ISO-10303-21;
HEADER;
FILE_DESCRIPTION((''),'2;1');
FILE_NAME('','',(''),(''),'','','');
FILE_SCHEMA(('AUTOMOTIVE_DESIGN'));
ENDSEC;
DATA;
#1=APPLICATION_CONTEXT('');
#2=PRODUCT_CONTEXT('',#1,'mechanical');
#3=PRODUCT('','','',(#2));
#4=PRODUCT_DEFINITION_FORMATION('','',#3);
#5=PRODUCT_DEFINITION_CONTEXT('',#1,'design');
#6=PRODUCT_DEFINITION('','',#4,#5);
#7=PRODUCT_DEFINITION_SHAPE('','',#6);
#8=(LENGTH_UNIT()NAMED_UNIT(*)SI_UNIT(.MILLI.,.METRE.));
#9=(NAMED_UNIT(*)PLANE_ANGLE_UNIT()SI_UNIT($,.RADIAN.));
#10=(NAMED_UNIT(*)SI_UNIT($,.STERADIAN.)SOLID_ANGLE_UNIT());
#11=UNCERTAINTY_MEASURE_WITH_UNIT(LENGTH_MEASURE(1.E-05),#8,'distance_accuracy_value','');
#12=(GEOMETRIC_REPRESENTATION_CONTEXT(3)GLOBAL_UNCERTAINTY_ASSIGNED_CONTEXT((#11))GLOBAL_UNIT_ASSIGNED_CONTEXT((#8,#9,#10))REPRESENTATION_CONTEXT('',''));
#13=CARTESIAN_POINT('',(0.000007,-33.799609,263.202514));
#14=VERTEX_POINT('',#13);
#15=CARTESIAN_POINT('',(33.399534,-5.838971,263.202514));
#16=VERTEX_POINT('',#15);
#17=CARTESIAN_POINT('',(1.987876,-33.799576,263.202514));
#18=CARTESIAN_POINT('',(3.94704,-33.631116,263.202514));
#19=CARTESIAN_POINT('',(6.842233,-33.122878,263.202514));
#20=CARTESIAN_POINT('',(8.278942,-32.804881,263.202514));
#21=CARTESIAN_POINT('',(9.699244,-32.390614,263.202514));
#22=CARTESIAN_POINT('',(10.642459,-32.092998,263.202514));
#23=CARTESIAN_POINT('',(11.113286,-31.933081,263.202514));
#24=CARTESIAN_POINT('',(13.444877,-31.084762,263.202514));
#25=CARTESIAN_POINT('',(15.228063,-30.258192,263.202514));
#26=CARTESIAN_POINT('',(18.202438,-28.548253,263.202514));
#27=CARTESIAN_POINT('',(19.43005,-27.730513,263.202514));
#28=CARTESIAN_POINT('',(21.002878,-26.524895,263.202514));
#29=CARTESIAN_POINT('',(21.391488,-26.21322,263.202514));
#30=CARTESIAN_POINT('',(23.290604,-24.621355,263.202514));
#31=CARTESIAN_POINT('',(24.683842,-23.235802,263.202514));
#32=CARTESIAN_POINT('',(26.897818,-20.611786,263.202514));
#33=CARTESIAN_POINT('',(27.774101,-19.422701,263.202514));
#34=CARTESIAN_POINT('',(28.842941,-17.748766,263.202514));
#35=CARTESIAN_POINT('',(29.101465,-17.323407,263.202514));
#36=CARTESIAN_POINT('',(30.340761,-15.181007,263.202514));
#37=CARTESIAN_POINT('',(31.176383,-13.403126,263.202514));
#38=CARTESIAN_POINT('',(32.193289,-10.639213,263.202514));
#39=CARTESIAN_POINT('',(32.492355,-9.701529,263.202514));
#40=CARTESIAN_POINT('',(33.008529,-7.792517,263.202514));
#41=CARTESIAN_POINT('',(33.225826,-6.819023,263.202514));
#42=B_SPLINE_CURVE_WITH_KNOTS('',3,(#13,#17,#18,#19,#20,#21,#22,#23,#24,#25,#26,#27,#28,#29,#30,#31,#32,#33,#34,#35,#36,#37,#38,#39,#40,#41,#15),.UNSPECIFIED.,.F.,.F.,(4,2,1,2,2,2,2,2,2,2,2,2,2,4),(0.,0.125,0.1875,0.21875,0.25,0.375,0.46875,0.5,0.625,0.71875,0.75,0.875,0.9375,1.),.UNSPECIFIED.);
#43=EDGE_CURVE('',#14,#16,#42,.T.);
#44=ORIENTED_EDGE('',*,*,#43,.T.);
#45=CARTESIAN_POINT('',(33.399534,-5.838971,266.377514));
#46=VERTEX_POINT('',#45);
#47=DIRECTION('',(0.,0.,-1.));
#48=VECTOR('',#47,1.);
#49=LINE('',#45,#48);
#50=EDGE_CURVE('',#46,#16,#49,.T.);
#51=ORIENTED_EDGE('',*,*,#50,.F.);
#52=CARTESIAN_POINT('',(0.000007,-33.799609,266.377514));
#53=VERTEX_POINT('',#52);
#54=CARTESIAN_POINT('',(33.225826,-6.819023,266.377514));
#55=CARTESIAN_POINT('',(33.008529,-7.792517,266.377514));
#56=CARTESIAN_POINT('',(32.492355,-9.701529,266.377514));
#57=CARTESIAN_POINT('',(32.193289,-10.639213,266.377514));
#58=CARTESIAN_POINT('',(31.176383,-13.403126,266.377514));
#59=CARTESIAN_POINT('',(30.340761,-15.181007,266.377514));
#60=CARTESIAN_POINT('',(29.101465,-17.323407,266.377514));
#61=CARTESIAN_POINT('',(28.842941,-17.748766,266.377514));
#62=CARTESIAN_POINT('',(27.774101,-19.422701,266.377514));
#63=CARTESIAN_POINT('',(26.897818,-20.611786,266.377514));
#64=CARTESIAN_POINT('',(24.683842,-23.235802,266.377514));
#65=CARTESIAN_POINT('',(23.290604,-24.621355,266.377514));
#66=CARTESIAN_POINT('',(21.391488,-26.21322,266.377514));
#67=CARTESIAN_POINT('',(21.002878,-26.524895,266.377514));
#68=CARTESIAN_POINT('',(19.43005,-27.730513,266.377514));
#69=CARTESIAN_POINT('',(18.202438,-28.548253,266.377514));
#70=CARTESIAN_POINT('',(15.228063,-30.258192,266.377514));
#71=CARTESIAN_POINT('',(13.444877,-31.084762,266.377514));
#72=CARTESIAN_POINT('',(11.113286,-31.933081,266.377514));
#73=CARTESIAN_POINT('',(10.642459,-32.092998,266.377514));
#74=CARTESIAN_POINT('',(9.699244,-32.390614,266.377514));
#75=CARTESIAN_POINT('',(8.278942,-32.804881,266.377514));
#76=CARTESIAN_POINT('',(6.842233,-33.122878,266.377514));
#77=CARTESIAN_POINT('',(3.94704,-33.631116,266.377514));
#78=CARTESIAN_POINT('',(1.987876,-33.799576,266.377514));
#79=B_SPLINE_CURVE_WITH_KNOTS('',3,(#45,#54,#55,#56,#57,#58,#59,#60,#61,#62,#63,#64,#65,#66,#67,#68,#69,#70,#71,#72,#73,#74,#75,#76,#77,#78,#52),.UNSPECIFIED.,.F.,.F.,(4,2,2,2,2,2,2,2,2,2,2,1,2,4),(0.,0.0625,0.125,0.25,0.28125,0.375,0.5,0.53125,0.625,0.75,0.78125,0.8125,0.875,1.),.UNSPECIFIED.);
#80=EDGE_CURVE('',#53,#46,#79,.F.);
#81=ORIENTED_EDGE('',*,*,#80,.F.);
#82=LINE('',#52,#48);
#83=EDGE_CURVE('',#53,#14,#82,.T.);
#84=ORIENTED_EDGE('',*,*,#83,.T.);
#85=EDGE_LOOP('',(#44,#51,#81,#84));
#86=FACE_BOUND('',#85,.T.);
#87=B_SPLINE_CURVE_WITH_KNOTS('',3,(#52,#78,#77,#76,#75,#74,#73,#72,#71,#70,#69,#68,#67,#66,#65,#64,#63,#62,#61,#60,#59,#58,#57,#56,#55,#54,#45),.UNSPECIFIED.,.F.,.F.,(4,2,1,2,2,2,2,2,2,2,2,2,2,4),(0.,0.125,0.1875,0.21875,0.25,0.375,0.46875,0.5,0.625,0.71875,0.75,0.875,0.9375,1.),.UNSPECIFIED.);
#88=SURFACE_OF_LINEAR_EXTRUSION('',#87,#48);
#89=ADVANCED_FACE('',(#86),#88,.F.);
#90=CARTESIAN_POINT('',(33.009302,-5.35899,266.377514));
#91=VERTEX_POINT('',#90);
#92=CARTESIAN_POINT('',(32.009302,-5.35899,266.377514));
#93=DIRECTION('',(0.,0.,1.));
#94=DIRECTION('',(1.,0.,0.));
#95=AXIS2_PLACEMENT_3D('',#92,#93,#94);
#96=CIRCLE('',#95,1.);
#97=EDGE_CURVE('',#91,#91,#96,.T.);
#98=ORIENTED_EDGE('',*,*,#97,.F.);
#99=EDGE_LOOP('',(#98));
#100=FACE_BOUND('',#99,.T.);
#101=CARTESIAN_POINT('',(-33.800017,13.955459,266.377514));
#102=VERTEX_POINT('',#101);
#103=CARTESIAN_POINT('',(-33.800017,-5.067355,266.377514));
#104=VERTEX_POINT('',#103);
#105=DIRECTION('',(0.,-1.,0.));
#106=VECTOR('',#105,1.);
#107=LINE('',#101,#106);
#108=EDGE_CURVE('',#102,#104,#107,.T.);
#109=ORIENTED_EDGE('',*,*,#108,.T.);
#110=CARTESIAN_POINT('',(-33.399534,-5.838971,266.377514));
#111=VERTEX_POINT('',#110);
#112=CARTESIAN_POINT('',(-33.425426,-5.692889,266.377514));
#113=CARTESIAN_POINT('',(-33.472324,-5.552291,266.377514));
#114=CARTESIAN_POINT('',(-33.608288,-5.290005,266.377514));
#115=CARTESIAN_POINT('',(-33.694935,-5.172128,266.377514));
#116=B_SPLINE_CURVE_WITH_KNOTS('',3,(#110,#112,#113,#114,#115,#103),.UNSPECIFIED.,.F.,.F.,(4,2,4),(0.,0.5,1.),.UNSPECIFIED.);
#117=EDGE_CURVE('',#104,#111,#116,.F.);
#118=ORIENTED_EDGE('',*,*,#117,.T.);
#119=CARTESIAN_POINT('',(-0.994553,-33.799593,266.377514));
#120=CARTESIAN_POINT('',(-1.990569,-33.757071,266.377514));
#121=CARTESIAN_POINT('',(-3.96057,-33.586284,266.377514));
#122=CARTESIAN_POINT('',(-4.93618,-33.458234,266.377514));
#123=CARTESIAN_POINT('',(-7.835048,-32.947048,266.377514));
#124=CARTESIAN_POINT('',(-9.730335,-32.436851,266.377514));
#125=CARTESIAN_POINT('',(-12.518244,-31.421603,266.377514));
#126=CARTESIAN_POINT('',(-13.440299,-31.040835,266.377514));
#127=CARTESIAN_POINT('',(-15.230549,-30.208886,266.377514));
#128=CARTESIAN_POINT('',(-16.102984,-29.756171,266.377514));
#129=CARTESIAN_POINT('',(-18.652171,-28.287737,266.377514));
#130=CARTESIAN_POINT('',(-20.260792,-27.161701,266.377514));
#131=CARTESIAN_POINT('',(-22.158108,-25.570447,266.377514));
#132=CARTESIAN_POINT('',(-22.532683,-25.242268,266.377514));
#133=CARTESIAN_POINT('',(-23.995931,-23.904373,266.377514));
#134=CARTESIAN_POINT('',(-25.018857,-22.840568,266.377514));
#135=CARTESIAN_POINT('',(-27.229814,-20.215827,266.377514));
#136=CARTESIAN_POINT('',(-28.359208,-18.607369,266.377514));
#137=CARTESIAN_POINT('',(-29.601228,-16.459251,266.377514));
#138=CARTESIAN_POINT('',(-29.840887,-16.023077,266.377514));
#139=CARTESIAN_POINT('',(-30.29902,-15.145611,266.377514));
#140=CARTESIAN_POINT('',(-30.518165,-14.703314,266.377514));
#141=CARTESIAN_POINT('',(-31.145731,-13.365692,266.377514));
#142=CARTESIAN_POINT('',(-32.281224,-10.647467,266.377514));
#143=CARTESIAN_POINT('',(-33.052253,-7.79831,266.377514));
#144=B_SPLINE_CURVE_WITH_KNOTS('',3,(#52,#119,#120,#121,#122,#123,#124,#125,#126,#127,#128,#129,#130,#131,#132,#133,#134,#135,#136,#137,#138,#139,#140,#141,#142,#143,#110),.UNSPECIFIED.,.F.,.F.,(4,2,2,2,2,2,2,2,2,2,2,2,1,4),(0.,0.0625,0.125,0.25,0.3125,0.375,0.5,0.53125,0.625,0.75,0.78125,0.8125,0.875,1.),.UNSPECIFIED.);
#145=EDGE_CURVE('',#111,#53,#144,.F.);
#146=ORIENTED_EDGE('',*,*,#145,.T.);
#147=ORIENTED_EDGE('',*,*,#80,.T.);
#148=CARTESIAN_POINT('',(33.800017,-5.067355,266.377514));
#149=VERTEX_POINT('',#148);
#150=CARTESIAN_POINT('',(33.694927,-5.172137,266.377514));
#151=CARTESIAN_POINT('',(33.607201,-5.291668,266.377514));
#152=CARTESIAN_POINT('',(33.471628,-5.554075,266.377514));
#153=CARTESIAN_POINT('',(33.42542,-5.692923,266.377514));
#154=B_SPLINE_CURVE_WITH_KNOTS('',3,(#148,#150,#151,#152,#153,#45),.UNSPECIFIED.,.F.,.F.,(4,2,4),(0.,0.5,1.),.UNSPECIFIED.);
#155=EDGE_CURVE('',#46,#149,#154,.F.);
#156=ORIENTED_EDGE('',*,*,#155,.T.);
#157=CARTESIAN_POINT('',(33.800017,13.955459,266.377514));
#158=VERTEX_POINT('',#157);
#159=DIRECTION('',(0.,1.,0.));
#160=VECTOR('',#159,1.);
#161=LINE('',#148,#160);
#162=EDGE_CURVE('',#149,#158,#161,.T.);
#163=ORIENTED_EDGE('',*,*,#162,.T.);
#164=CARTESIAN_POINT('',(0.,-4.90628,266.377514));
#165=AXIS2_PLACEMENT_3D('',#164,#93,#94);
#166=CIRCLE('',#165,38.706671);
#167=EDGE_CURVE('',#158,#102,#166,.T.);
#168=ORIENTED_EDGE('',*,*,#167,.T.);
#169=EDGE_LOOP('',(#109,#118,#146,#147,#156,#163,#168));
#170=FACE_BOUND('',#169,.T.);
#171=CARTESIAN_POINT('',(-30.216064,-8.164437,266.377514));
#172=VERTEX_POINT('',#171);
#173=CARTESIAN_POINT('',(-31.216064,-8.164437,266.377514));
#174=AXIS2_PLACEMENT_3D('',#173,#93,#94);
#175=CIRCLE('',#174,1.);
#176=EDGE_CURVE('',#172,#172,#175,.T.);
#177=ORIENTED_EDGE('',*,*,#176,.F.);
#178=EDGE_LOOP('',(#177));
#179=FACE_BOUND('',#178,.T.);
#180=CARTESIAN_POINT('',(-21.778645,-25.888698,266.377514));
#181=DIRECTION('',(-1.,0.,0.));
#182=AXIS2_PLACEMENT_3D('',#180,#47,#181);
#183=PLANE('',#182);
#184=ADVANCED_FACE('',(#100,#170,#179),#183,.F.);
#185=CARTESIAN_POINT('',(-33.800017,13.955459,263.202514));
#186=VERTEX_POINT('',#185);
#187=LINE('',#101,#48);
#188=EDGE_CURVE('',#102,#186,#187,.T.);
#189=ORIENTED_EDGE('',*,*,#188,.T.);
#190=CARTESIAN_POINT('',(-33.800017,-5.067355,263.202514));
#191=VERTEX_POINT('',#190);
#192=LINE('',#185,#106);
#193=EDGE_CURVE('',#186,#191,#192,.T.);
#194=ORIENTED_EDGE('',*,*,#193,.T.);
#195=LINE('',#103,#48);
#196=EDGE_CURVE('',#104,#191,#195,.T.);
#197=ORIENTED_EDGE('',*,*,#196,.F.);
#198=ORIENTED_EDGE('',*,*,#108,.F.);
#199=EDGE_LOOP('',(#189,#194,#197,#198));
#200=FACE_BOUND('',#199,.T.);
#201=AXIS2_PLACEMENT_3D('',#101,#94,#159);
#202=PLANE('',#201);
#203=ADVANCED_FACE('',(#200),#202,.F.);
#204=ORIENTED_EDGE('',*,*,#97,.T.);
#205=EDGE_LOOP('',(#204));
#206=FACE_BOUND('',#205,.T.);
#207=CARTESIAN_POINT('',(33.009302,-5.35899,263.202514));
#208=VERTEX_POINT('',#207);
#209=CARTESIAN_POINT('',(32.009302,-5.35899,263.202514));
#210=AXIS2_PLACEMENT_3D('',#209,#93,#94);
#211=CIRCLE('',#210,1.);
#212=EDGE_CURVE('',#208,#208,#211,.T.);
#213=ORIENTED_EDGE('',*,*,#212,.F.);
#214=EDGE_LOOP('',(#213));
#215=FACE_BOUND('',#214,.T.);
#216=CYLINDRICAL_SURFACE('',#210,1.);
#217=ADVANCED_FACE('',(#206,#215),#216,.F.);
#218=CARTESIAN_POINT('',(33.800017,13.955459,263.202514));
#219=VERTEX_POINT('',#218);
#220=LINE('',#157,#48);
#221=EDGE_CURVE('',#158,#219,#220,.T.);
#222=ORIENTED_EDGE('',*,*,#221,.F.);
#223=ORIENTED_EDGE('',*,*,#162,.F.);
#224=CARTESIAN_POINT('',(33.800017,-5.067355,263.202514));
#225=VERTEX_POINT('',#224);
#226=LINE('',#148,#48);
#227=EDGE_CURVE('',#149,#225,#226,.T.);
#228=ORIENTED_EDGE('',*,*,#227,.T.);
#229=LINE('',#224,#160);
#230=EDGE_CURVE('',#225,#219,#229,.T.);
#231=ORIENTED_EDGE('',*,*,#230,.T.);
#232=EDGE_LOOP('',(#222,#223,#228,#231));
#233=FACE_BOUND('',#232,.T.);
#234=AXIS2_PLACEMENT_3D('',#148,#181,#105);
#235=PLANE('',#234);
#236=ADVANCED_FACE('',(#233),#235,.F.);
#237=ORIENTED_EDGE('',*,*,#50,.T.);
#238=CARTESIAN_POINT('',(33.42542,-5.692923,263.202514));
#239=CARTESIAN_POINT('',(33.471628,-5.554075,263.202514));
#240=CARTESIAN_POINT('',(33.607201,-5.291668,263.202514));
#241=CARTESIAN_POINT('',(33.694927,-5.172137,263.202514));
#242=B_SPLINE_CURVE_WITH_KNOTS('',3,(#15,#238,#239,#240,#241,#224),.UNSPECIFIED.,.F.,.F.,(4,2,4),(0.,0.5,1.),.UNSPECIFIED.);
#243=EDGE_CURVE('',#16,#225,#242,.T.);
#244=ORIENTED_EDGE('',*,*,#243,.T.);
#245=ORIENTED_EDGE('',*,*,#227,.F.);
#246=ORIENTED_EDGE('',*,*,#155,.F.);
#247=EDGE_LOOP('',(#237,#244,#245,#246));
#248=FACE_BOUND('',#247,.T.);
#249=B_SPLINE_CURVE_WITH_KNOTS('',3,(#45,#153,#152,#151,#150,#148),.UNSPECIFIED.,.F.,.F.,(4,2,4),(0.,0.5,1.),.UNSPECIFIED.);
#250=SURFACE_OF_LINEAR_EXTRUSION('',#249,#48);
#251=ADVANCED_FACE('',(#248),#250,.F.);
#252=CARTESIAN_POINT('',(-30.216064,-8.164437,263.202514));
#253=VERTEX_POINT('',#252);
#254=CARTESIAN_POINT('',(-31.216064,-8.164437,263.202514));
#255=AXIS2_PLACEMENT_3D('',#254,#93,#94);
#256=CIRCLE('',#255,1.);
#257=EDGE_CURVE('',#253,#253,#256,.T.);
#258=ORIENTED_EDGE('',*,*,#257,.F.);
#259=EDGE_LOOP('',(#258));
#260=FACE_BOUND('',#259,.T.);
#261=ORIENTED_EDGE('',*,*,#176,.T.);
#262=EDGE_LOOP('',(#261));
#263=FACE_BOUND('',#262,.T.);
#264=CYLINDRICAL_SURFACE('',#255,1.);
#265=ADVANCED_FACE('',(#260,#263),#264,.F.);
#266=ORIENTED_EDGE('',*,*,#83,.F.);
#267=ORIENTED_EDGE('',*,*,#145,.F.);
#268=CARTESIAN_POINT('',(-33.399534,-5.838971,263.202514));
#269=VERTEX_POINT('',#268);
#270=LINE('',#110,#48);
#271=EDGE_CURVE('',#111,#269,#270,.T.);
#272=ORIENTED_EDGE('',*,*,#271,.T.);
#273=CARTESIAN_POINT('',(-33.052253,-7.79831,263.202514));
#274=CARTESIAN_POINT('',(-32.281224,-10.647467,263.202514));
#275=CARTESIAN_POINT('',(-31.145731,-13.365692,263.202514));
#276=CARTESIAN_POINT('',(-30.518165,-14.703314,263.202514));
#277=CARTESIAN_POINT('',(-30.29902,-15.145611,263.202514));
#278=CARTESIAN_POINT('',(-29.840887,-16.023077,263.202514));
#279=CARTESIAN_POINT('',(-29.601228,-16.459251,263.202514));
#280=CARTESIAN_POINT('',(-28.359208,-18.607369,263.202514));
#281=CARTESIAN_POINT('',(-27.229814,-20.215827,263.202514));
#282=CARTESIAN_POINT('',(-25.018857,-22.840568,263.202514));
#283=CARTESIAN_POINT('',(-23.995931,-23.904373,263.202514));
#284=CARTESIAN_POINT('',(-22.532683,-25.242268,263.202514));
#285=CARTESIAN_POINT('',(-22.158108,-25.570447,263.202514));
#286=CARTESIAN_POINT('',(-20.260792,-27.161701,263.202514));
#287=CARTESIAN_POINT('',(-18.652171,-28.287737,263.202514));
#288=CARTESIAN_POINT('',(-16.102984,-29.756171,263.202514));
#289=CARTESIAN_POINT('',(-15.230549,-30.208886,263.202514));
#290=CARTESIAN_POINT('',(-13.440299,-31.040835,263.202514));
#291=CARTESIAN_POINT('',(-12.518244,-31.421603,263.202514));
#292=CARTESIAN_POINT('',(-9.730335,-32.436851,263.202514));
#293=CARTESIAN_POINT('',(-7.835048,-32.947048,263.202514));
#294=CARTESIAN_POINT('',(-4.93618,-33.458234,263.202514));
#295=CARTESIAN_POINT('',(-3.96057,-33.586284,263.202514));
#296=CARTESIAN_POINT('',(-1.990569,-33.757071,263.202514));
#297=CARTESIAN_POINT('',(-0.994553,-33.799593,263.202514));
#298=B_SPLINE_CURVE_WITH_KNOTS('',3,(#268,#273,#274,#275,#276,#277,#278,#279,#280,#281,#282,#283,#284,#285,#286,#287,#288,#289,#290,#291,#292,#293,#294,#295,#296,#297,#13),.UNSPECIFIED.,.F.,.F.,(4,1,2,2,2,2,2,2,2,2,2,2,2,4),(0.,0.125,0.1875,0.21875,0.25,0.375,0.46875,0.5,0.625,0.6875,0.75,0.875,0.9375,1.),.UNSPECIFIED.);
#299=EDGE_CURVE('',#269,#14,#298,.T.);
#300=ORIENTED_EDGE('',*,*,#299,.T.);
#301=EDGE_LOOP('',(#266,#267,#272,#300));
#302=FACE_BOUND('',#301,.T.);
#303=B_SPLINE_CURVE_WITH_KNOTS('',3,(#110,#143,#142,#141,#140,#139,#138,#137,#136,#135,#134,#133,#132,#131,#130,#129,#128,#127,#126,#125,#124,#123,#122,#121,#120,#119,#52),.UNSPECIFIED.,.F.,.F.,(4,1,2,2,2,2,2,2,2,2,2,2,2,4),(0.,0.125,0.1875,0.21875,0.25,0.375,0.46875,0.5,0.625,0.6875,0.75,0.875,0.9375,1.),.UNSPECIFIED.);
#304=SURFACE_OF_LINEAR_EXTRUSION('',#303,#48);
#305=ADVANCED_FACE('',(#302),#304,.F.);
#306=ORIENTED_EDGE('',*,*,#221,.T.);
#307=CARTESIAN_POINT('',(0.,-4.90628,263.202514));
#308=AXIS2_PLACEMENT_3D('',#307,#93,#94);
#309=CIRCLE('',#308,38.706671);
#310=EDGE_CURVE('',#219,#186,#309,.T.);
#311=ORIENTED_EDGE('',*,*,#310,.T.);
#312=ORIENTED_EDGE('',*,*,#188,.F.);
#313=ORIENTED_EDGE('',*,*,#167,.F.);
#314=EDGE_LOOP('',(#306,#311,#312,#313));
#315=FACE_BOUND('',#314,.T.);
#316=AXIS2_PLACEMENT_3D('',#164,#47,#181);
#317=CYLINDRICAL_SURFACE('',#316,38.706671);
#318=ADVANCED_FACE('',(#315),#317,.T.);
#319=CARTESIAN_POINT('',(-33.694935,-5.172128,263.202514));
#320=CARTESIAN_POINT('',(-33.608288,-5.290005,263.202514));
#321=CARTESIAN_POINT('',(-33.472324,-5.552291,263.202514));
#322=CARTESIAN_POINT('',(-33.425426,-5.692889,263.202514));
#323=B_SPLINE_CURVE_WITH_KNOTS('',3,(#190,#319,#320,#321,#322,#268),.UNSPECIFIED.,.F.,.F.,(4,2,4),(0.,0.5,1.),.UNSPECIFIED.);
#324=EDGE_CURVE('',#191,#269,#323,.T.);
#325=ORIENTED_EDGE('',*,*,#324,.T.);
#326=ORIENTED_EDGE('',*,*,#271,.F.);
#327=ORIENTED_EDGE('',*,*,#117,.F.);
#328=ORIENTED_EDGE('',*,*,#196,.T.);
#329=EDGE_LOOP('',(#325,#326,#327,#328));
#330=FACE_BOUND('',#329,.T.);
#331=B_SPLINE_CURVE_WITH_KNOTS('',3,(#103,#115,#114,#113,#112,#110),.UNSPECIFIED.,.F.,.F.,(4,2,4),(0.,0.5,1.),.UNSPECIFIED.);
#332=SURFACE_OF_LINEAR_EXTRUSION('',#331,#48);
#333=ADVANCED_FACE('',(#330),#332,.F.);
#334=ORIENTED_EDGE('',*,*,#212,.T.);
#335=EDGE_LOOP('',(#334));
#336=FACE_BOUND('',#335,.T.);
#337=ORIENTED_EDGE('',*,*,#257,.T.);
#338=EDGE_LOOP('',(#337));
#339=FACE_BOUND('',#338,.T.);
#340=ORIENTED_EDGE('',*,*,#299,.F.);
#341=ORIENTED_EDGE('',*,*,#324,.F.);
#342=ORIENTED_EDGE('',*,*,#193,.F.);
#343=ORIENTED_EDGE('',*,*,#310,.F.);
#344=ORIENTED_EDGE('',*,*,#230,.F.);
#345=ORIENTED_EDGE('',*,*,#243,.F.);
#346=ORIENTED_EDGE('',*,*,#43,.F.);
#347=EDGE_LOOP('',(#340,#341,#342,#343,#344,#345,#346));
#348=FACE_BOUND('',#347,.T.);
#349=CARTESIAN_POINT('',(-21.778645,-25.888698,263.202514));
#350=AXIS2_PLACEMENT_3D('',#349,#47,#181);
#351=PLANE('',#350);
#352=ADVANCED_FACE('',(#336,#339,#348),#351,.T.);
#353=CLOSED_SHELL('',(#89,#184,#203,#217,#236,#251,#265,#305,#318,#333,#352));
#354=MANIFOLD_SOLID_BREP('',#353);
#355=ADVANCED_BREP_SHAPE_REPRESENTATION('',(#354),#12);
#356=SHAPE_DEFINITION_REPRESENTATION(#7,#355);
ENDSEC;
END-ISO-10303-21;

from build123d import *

# Parameters (mm, degrees)
BOSS_EXTRUDE1_DEPTH = 1.5875
SKETCH3_R           = 1
CUT_EXTRUDE2_DEPTH  = 3.175


with BuildPart() as part:
    # Sketch1 → Boss-Extrude1 (new, symmetric)
    with BuildSketch(Plane.XY.offset(264.790013628)):
        with BuildLine():
            Line((33.800017398, -5.067355161), (33.800017398, 13.955458653))
            ThreePointArc((33.800017398, 13.955458653), (0, 33.800390955), (-33.800017398, 13.955458653))
            Line((-33.800017398, 13.955458653), (-33.800017398, -5.067355161))
            add(Edge.make_bspline(
                [(-33.800017398, -5.067355161), (-33.694935477, -5.172128399), (-33.608288469, -5.290004795), (-33.472323961, -5.552290639), (-33.425425948, -5.692889236), (-33.399533932, -5.838970624)],
                knots=[0, 0, 0, 0, 0.5, 0.5, 1, 1, 1, 1], degree=3))
            add(Edge.make_bspline(
                [(-33.399533932, -5.838970624), (-33.052253285, -7.798309693), (-32.28122422, -10.647467269), (-31.145731134, -13.365691593), (-30.518165219, -14.703313718), (-30.29902031, -15.145610982), (-29.840887044, -16.023076775), (-29.601228036, -16.459250859), (-28.359208449, -18.607369492), (-27.22981433, -20.215826589), (-25.018856718, -22.840568094), (-23.995930567, -23.90437348), (-22.532682873, -25.242268373), (-22.158108065, -25.570446836), (-20.260791979, -27.161701153), (-18.652171115, -28.2877371), (-16.102983861, -29.756171424), (-15.230549353, -30.208885919), (-13.44029889, -31.040835285), (-12.518244043, -31.421602723), (-9.730335127, -32.436850643), (-7.835048114, -32.947048229), (-4.936180491, -33.458234156), (-3.960569712, -33.586283528), (-1.990568761, -33.757071458), (-0.994552943, -33.799592721), (7.014e-06, -33.799609106)],
                knots=[0, 0, 0, 0, 0.125, 0.1875, 0.1875, 0.21875, 0.21875, 0.25, 0.25, 0.375, 0.375, 0.46875, 0.46875, 0.5, 0.5, 0.625, 0.625, 0.6875, 0.6875, 0.75, 0.75, 0.875, 0.875, 0.9375, 0.9375, 1, 1, 1, 1], degree=3))
            add(Edge.make_bspline(
                [(7.014e-06, -33.799609106), (1.987875992, -33.799575566), (3.94703991, -33.631115611), (6.842232548, -33.122877847), (8.278942061, -32.804880827), (9.699244221, -32.390613968), (10.642458673, -32.092998308), (11.113286404, -31.933080905), (13.444877358, -31.084762204), (15.228063078, -30.258192227), (18.202438097, -28.548252781), (19.430049544, -27.730513432), (21.002878368, -26.524895287), (21.391487804, -26.213219806), (23.290603811, -24.621354585), (24.683841541, -23.235802325), (26.897817983, -20.611786452), (27.77410108, -19.422700527), (28.842940769, -17.748765821), (29.101464741, -17.323406575), (30.340761198, -15.181007143), (31.176382916, -13.403126413), (32.193288505, -10.639212594), (32.492355328, -9.701528607), (33.008528869, -7.792516567), (33.225825771, -6.819022893), (33.399533932, -5.838970624)],
                knots=[0, 0, 0, 0, 0.125, 0.125, 0.1875, 0.21875, 0.21875, 0.25, 0.25, 0.375, 0.375, 0.46875, 0.46875, 0.5, 0.5, 0.625, 0.625, 0.71875, 0.71875, 0.75, 0.75, 0.875, 0.875, 0.9375, 0.9375, 1, 1, 1, 1], degree=3))
            add(Edge.make_bspline(
                [(33.399533932, -5.838970624), (33.425419923, -5.692923228), (33.471627634, -5.554074987), (33.607200861, -5.29166755), (33.694927142, -5.172136709), (33.800017398, -5.067355161)],
                knots=[0, 0, 0, 0, 0.5, 0.5, 1, 1, 1, 1], degree=3))
        make_face()
    extrude(amount=BOSS_EXTRUDE1_DEPTH, both=True)

    # Sketch3 → Cut-Extrude2 (cut)
    with BuildSketch(Plane.XY.offset(266.377513628)):
        with Locations((-31.216064399, -8.164436653)):
            Circle(SKETCH3_R)
        with Locations((32.009302375, -5.358989516)):
            Circle(SKETCH3_R)
    extrude(amount=-CUT_EXTRUDE2_DEPTH, mode=Mode.SUBTRACT)


solid = part.part
